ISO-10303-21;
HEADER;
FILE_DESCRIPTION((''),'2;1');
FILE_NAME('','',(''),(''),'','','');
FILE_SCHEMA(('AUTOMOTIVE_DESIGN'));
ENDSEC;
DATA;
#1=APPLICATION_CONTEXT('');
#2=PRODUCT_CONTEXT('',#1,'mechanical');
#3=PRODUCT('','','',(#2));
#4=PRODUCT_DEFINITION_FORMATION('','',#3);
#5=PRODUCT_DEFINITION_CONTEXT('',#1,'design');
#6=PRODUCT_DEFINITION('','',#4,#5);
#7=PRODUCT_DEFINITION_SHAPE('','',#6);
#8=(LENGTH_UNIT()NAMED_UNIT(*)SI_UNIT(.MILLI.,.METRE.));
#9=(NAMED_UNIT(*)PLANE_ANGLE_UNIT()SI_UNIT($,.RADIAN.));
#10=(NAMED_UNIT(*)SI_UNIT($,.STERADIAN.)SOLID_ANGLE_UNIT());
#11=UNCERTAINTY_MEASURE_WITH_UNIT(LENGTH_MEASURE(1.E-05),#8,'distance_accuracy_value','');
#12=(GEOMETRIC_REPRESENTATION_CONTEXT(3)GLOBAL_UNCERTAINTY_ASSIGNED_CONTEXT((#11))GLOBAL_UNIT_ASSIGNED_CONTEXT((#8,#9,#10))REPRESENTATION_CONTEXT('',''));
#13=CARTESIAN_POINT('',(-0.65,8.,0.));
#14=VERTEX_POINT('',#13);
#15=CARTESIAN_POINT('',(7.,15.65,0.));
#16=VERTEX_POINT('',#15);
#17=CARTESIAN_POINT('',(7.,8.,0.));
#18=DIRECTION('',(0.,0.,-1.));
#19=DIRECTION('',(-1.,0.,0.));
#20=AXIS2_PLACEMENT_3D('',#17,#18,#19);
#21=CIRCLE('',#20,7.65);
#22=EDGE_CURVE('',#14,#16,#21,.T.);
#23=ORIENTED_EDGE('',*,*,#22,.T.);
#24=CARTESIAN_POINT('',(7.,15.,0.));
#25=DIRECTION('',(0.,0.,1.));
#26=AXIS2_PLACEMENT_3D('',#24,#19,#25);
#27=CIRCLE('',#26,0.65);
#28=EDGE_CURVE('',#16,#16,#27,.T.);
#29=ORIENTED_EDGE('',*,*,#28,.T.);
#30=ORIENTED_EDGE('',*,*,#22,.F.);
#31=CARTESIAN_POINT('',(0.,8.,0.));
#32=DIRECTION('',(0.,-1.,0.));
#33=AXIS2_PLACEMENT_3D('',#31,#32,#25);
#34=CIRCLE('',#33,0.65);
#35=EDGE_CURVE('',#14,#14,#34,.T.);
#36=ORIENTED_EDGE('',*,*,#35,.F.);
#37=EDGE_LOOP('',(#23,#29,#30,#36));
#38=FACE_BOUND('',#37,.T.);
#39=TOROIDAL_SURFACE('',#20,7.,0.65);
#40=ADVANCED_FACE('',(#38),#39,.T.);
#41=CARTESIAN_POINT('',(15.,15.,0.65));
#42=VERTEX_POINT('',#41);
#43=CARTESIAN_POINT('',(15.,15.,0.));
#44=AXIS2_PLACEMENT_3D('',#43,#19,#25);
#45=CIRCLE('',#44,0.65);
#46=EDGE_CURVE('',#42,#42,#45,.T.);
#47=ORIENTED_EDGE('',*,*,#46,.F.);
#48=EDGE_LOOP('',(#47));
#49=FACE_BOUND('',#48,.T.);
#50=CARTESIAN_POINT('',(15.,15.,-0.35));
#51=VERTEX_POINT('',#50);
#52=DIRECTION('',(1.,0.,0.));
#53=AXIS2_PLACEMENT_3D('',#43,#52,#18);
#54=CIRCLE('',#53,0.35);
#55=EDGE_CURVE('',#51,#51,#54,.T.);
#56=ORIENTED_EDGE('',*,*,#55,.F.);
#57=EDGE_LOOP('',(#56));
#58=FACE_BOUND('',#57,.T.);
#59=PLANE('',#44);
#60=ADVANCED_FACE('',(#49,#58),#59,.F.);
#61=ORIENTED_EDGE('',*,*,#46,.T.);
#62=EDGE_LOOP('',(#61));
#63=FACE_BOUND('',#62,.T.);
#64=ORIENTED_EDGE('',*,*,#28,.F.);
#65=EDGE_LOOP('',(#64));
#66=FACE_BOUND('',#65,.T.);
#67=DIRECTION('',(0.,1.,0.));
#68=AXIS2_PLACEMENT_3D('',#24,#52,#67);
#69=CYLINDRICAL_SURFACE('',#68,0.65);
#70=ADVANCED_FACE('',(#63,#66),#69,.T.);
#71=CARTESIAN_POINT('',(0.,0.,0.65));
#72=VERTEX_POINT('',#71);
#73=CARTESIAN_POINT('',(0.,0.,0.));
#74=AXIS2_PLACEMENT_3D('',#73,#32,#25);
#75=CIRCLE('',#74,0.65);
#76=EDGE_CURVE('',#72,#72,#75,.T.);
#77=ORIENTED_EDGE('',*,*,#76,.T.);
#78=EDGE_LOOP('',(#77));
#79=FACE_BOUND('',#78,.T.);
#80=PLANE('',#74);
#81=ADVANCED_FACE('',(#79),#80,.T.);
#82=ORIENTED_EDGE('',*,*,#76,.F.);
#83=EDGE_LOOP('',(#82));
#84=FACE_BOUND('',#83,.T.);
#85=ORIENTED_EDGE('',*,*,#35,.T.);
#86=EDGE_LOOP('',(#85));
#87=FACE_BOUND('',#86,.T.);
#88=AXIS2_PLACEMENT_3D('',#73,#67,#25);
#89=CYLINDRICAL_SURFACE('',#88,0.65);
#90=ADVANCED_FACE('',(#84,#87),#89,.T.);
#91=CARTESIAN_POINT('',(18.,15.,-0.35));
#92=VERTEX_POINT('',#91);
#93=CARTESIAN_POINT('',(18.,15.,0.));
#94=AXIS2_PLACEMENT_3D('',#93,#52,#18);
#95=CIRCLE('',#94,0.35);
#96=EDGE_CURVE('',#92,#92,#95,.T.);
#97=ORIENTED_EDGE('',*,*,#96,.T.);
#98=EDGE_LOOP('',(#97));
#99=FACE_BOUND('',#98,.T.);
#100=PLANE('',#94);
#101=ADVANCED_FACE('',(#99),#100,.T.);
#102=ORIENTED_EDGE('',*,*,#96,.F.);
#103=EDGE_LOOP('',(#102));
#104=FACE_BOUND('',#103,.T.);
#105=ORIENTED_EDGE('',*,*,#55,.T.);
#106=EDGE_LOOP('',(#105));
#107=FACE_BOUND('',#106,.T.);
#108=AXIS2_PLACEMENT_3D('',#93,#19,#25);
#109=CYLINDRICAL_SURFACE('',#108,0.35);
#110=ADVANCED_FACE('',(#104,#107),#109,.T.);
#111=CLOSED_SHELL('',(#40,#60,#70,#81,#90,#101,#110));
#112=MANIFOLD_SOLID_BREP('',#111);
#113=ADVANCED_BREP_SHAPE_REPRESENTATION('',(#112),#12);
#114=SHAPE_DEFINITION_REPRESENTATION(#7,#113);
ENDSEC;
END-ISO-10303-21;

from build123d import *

# Parameters (mm, degrees)
SWEEP1_PROFILE_R    = 0.65
SKETCH9_R           = 0.35
BOSS_EXTRUDE1_DEPTH = 3


with BuildPart() as part:
    # Sweep1: sweep along a path in Sketch1
    with BuildLine(Plane.XY) as sweep1_path:
        Line((0, 0), (0, 8))
        ThreePointArc((0, 8), (2.050252532, 12.949747468), (7, 15))
        Line((7, 15), (15, 15))
    # Sweep1 profile (on start of the path) → Sweep1 (sweep)
    with BuildSketch(Plane.ZX):
        Circle(SWEEP1_PROFILE_R)
    sweep(path=sweep1_path.line)

    # Sketch9 → Boss-Extrude1 (add)
    with BuildSketch(Plane(origin=(15, 0, 0), x_dir=(0, 0, -1), z_dir=(1, 0, 0))):
        with Locations((0, 15)):
            Circle(SKETCH9_R)
    extrude(amount=BOSS_EXTRUDE1_DEPTH)


solid = part.part
